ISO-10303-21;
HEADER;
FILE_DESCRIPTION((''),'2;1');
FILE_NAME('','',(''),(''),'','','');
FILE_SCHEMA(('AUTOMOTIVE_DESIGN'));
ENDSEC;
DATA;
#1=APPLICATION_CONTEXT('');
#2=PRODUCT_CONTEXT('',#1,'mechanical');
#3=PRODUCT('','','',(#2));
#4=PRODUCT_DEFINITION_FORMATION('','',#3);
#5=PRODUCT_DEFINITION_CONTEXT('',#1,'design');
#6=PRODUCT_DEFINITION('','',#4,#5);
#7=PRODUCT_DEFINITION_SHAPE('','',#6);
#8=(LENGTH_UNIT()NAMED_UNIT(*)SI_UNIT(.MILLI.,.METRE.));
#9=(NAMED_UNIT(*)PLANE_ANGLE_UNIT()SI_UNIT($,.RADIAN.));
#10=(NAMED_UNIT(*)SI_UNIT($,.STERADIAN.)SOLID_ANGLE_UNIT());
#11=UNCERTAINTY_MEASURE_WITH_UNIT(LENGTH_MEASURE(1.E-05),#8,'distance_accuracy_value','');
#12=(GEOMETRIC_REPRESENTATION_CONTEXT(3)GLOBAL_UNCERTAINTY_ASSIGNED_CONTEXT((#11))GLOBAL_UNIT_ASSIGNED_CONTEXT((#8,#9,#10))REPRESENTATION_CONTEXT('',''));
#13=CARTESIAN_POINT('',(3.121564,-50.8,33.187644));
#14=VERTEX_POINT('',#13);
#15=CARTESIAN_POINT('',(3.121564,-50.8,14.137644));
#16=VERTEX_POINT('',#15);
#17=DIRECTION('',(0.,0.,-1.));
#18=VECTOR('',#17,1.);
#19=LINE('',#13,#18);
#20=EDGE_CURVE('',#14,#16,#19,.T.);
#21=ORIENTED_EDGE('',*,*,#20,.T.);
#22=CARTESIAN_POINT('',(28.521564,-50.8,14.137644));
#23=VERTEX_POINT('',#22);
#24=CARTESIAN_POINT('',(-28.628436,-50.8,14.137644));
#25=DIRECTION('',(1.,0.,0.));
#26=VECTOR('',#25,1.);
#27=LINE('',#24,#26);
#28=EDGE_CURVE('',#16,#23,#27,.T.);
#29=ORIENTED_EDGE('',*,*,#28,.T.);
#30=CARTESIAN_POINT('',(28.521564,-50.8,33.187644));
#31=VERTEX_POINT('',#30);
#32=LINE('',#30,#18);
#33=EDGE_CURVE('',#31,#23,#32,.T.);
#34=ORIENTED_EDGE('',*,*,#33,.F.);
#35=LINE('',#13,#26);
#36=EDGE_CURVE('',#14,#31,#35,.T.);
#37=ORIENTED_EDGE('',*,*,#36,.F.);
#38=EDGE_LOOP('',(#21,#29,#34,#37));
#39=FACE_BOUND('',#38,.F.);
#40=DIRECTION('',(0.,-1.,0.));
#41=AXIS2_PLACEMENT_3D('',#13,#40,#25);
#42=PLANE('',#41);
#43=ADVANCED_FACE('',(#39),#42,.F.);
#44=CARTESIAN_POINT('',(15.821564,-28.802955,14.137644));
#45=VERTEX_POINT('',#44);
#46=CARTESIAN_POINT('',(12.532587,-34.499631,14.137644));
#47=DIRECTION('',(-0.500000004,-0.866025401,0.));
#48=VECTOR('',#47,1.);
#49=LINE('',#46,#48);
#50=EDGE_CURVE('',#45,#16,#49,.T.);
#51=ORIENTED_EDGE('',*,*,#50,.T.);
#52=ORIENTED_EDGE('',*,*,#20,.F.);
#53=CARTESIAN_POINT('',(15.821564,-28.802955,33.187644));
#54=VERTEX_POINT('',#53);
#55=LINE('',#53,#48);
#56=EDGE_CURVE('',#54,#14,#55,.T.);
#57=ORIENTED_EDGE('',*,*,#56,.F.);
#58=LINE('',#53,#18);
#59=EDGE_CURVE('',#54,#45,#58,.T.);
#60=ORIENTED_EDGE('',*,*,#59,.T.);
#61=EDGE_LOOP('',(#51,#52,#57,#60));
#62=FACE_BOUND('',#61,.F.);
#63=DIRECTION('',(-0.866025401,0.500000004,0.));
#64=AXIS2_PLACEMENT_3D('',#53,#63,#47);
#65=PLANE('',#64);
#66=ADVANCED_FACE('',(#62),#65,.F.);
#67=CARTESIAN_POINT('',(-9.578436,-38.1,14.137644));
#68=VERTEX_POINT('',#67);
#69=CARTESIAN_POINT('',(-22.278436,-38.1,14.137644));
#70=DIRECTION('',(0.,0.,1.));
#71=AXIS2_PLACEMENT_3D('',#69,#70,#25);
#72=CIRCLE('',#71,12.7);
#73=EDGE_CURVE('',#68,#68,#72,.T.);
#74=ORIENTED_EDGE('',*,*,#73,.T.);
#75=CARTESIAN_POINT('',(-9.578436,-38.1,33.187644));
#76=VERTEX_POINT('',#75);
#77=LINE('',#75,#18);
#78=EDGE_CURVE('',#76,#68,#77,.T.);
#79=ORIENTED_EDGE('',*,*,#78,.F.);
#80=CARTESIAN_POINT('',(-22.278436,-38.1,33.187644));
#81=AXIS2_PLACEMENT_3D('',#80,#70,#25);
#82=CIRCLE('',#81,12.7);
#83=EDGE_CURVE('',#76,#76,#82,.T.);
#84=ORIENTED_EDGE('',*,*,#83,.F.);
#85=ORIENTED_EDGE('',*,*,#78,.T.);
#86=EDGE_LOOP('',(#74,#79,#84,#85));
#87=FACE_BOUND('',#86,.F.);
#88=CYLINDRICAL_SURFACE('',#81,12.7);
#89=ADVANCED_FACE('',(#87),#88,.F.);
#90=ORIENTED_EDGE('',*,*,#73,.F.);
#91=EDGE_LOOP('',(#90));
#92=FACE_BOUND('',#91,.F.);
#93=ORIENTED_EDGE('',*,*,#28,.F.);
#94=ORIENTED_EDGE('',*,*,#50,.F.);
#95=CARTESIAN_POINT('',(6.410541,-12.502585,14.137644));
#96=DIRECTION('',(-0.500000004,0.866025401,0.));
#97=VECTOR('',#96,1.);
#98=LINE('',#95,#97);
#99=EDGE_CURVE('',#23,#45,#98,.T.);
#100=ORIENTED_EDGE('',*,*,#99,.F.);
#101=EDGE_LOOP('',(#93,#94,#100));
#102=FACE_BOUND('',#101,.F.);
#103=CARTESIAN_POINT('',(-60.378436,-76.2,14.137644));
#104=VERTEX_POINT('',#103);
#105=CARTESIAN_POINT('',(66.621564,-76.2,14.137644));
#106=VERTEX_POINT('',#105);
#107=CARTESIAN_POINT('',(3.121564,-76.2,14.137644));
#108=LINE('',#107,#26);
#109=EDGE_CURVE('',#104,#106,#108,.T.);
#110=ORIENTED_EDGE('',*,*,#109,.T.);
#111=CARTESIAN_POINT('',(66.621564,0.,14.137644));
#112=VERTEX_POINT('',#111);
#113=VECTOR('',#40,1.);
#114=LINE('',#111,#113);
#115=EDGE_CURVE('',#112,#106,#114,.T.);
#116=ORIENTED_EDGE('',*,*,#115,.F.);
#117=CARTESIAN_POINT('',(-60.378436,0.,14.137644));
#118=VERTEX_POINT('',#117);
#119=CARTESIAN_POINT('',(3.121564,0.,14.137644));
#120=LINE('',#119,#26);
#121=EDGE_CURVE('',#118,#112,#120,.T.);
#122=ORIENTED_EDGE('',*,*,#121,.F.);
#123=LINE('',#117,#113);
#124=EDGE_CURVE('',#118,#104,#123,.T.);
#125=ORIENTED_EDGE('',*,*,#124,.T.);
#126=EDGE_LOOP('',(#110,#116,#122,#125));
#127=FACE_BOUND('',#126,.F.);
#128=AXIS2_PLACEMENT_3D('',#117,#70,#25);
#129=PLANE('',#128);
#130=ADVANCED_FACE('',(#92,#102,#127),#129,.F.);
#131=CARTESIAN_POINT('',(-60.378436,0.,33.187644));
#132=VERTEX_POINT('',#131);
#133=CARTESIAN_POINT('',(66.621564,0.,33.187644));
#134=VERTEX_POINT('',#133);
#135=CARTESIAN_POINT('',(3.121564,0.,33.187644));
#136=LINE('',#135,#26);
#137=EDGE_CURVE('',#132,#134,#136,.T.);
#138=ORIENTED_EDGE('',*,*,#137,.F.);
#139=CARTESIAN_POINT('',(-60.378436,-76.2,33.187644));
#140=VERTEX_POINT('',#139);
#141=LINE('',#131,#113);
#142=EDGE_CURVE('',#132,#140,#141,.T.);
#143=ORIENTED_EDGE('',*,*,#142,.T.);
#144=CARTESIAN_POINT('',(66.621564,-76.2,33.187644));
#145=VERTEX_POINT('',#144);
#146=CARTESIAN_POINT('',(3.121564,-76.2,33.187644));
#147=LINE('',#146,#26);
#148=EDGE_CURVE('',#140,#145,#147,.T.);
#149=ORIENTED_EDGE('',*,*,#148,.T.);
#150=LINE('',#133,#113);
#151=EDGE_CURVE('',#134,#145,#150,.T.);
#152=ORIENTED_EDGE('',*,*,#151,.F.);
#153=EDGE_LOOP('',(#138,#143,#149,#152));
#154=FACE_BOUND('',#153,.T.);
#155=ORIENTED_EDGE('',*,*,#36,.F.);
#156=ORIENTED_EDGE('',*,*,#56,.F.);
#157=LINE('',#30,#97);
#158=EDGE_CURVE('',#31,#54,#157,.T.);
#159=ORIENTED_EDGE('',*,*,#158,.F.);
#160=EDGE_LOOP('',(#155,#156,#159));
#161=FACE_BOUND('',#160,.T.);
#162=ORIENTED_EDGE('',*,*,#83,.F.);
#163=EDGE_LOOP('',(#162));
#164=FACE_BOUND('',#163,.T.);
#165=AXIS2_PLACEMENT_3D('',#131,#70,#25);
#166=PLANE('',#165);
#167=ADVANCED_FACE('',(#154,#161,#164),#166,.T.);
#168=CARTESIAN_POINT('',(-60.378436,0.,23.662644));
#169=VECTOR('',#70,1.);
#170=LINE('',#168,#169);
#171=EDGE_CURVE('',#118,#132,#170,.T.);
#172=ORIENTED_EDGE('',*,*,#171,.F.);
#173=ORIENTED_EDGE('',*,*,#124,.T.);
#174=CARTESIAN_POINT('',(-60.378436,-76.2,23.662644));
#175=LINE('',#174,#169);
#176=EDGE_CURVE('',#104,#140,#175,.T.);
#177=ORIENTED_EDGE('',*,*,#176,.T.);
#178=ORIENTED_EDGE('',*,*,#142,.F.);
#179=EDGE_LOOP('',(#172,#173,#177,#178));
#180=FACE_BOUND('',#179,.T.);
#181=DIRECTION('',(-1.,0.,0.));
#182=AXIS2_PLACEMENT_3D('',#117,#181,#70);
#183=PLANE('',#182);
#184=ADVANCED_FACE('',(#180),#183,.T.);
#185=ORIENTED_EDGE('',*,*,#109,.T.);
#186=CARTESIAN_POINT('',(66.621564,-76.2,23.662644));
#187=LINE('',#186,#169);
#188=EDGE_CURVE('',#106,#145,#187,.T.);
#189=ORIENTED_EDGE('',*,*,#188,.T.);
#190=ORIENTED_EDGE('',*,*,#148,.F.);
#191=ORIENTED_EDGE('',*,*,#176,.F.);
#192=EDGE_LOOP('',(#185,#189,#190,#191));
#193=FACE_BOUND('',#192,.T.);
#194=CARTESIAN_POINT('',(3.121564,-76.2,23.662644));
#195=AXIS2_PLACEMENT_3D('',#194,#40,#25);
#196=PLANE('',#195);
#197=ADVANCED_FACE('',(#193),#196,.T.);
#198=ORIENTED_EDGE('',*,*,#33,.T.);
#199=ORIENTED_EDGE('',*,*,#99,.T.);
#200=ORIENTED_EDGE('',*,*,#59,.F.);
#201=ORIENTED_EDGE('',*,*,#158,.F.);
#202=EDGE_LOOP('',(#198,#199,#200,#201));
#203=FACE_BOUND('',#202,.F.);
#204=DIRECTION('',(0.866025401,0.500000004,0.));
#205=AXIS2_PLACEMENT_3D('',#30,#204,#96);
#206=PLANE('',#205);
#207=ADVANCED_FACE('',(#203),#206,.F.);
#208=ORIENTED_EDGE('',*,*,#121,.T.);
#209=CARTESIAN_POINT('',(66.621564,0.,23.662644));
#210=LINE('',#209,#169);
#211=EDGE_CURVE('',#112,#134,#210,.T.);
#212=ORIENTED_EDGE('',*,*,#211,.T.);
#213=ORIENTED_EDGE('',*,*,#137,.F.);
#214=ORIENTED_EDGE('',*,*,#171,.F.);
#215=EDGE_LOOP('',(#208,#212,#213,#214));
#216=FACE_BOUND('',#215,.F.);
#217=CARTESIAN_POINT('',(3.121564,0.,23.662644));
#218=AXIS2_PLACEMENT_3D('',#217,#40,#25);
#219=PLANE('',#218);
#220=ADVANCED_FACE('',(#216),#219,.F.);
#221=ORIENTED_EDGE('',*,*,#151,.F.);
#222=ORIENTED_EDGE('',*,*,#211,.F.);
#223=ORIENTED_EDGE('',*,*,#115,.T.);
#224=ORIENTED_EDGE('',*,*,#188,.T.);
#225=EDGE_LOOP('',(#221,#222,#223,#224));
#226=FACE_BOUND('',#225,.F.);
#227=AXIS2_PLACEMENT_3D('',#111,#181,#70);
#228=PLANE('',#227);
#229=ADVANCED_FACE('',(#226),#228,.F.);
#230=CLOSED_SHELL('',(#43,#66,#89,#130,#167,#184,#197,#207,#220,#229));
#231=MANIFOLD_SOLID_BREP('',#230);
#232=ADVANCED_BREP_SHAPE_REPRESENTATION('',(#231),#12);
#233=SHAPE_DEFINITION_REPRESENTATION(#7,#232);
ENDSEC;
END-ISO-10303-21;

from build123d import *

# Parameters (mm, degrees)
F0_W     = 127
F0_H     = 19.05
F1_DEPTH = 76.2
F2_R     = 12.7
F3_DEPTH = 25.4
F5_DEPTH = 25.4


with BuildPart() as f1:
    # F0 (on Front) → F1 (new body)
    with BuildSketch(Plane.XZ):
        with Locations((3.121564, 23.662644)):
            Rectangle(F0_W, F0_H)
    extrude(amount=F1_DEPTH)

    # F2 (on face) → F3 (cut)
    with BuildSketch(Plane.XY.offset(33.187644)):
        with Locations((-22.278436, -38.1)):
            Circle(F2_R)
    extrude(amount=-F3_DEPTH, mode=Mode.SUBTRACT)

    # F4 (on face) → F5 (cut)
    with BuildSketch(Plane.XY.offset(33.187644)):
        Polygon((28.521564, -50.8), (15.821564, -28.802955), (3.121564, -50.8), align=None)
    extrude(amount=-F5_DEPTH, mode=Mode.SUBTRACT)


solid = f1.part
